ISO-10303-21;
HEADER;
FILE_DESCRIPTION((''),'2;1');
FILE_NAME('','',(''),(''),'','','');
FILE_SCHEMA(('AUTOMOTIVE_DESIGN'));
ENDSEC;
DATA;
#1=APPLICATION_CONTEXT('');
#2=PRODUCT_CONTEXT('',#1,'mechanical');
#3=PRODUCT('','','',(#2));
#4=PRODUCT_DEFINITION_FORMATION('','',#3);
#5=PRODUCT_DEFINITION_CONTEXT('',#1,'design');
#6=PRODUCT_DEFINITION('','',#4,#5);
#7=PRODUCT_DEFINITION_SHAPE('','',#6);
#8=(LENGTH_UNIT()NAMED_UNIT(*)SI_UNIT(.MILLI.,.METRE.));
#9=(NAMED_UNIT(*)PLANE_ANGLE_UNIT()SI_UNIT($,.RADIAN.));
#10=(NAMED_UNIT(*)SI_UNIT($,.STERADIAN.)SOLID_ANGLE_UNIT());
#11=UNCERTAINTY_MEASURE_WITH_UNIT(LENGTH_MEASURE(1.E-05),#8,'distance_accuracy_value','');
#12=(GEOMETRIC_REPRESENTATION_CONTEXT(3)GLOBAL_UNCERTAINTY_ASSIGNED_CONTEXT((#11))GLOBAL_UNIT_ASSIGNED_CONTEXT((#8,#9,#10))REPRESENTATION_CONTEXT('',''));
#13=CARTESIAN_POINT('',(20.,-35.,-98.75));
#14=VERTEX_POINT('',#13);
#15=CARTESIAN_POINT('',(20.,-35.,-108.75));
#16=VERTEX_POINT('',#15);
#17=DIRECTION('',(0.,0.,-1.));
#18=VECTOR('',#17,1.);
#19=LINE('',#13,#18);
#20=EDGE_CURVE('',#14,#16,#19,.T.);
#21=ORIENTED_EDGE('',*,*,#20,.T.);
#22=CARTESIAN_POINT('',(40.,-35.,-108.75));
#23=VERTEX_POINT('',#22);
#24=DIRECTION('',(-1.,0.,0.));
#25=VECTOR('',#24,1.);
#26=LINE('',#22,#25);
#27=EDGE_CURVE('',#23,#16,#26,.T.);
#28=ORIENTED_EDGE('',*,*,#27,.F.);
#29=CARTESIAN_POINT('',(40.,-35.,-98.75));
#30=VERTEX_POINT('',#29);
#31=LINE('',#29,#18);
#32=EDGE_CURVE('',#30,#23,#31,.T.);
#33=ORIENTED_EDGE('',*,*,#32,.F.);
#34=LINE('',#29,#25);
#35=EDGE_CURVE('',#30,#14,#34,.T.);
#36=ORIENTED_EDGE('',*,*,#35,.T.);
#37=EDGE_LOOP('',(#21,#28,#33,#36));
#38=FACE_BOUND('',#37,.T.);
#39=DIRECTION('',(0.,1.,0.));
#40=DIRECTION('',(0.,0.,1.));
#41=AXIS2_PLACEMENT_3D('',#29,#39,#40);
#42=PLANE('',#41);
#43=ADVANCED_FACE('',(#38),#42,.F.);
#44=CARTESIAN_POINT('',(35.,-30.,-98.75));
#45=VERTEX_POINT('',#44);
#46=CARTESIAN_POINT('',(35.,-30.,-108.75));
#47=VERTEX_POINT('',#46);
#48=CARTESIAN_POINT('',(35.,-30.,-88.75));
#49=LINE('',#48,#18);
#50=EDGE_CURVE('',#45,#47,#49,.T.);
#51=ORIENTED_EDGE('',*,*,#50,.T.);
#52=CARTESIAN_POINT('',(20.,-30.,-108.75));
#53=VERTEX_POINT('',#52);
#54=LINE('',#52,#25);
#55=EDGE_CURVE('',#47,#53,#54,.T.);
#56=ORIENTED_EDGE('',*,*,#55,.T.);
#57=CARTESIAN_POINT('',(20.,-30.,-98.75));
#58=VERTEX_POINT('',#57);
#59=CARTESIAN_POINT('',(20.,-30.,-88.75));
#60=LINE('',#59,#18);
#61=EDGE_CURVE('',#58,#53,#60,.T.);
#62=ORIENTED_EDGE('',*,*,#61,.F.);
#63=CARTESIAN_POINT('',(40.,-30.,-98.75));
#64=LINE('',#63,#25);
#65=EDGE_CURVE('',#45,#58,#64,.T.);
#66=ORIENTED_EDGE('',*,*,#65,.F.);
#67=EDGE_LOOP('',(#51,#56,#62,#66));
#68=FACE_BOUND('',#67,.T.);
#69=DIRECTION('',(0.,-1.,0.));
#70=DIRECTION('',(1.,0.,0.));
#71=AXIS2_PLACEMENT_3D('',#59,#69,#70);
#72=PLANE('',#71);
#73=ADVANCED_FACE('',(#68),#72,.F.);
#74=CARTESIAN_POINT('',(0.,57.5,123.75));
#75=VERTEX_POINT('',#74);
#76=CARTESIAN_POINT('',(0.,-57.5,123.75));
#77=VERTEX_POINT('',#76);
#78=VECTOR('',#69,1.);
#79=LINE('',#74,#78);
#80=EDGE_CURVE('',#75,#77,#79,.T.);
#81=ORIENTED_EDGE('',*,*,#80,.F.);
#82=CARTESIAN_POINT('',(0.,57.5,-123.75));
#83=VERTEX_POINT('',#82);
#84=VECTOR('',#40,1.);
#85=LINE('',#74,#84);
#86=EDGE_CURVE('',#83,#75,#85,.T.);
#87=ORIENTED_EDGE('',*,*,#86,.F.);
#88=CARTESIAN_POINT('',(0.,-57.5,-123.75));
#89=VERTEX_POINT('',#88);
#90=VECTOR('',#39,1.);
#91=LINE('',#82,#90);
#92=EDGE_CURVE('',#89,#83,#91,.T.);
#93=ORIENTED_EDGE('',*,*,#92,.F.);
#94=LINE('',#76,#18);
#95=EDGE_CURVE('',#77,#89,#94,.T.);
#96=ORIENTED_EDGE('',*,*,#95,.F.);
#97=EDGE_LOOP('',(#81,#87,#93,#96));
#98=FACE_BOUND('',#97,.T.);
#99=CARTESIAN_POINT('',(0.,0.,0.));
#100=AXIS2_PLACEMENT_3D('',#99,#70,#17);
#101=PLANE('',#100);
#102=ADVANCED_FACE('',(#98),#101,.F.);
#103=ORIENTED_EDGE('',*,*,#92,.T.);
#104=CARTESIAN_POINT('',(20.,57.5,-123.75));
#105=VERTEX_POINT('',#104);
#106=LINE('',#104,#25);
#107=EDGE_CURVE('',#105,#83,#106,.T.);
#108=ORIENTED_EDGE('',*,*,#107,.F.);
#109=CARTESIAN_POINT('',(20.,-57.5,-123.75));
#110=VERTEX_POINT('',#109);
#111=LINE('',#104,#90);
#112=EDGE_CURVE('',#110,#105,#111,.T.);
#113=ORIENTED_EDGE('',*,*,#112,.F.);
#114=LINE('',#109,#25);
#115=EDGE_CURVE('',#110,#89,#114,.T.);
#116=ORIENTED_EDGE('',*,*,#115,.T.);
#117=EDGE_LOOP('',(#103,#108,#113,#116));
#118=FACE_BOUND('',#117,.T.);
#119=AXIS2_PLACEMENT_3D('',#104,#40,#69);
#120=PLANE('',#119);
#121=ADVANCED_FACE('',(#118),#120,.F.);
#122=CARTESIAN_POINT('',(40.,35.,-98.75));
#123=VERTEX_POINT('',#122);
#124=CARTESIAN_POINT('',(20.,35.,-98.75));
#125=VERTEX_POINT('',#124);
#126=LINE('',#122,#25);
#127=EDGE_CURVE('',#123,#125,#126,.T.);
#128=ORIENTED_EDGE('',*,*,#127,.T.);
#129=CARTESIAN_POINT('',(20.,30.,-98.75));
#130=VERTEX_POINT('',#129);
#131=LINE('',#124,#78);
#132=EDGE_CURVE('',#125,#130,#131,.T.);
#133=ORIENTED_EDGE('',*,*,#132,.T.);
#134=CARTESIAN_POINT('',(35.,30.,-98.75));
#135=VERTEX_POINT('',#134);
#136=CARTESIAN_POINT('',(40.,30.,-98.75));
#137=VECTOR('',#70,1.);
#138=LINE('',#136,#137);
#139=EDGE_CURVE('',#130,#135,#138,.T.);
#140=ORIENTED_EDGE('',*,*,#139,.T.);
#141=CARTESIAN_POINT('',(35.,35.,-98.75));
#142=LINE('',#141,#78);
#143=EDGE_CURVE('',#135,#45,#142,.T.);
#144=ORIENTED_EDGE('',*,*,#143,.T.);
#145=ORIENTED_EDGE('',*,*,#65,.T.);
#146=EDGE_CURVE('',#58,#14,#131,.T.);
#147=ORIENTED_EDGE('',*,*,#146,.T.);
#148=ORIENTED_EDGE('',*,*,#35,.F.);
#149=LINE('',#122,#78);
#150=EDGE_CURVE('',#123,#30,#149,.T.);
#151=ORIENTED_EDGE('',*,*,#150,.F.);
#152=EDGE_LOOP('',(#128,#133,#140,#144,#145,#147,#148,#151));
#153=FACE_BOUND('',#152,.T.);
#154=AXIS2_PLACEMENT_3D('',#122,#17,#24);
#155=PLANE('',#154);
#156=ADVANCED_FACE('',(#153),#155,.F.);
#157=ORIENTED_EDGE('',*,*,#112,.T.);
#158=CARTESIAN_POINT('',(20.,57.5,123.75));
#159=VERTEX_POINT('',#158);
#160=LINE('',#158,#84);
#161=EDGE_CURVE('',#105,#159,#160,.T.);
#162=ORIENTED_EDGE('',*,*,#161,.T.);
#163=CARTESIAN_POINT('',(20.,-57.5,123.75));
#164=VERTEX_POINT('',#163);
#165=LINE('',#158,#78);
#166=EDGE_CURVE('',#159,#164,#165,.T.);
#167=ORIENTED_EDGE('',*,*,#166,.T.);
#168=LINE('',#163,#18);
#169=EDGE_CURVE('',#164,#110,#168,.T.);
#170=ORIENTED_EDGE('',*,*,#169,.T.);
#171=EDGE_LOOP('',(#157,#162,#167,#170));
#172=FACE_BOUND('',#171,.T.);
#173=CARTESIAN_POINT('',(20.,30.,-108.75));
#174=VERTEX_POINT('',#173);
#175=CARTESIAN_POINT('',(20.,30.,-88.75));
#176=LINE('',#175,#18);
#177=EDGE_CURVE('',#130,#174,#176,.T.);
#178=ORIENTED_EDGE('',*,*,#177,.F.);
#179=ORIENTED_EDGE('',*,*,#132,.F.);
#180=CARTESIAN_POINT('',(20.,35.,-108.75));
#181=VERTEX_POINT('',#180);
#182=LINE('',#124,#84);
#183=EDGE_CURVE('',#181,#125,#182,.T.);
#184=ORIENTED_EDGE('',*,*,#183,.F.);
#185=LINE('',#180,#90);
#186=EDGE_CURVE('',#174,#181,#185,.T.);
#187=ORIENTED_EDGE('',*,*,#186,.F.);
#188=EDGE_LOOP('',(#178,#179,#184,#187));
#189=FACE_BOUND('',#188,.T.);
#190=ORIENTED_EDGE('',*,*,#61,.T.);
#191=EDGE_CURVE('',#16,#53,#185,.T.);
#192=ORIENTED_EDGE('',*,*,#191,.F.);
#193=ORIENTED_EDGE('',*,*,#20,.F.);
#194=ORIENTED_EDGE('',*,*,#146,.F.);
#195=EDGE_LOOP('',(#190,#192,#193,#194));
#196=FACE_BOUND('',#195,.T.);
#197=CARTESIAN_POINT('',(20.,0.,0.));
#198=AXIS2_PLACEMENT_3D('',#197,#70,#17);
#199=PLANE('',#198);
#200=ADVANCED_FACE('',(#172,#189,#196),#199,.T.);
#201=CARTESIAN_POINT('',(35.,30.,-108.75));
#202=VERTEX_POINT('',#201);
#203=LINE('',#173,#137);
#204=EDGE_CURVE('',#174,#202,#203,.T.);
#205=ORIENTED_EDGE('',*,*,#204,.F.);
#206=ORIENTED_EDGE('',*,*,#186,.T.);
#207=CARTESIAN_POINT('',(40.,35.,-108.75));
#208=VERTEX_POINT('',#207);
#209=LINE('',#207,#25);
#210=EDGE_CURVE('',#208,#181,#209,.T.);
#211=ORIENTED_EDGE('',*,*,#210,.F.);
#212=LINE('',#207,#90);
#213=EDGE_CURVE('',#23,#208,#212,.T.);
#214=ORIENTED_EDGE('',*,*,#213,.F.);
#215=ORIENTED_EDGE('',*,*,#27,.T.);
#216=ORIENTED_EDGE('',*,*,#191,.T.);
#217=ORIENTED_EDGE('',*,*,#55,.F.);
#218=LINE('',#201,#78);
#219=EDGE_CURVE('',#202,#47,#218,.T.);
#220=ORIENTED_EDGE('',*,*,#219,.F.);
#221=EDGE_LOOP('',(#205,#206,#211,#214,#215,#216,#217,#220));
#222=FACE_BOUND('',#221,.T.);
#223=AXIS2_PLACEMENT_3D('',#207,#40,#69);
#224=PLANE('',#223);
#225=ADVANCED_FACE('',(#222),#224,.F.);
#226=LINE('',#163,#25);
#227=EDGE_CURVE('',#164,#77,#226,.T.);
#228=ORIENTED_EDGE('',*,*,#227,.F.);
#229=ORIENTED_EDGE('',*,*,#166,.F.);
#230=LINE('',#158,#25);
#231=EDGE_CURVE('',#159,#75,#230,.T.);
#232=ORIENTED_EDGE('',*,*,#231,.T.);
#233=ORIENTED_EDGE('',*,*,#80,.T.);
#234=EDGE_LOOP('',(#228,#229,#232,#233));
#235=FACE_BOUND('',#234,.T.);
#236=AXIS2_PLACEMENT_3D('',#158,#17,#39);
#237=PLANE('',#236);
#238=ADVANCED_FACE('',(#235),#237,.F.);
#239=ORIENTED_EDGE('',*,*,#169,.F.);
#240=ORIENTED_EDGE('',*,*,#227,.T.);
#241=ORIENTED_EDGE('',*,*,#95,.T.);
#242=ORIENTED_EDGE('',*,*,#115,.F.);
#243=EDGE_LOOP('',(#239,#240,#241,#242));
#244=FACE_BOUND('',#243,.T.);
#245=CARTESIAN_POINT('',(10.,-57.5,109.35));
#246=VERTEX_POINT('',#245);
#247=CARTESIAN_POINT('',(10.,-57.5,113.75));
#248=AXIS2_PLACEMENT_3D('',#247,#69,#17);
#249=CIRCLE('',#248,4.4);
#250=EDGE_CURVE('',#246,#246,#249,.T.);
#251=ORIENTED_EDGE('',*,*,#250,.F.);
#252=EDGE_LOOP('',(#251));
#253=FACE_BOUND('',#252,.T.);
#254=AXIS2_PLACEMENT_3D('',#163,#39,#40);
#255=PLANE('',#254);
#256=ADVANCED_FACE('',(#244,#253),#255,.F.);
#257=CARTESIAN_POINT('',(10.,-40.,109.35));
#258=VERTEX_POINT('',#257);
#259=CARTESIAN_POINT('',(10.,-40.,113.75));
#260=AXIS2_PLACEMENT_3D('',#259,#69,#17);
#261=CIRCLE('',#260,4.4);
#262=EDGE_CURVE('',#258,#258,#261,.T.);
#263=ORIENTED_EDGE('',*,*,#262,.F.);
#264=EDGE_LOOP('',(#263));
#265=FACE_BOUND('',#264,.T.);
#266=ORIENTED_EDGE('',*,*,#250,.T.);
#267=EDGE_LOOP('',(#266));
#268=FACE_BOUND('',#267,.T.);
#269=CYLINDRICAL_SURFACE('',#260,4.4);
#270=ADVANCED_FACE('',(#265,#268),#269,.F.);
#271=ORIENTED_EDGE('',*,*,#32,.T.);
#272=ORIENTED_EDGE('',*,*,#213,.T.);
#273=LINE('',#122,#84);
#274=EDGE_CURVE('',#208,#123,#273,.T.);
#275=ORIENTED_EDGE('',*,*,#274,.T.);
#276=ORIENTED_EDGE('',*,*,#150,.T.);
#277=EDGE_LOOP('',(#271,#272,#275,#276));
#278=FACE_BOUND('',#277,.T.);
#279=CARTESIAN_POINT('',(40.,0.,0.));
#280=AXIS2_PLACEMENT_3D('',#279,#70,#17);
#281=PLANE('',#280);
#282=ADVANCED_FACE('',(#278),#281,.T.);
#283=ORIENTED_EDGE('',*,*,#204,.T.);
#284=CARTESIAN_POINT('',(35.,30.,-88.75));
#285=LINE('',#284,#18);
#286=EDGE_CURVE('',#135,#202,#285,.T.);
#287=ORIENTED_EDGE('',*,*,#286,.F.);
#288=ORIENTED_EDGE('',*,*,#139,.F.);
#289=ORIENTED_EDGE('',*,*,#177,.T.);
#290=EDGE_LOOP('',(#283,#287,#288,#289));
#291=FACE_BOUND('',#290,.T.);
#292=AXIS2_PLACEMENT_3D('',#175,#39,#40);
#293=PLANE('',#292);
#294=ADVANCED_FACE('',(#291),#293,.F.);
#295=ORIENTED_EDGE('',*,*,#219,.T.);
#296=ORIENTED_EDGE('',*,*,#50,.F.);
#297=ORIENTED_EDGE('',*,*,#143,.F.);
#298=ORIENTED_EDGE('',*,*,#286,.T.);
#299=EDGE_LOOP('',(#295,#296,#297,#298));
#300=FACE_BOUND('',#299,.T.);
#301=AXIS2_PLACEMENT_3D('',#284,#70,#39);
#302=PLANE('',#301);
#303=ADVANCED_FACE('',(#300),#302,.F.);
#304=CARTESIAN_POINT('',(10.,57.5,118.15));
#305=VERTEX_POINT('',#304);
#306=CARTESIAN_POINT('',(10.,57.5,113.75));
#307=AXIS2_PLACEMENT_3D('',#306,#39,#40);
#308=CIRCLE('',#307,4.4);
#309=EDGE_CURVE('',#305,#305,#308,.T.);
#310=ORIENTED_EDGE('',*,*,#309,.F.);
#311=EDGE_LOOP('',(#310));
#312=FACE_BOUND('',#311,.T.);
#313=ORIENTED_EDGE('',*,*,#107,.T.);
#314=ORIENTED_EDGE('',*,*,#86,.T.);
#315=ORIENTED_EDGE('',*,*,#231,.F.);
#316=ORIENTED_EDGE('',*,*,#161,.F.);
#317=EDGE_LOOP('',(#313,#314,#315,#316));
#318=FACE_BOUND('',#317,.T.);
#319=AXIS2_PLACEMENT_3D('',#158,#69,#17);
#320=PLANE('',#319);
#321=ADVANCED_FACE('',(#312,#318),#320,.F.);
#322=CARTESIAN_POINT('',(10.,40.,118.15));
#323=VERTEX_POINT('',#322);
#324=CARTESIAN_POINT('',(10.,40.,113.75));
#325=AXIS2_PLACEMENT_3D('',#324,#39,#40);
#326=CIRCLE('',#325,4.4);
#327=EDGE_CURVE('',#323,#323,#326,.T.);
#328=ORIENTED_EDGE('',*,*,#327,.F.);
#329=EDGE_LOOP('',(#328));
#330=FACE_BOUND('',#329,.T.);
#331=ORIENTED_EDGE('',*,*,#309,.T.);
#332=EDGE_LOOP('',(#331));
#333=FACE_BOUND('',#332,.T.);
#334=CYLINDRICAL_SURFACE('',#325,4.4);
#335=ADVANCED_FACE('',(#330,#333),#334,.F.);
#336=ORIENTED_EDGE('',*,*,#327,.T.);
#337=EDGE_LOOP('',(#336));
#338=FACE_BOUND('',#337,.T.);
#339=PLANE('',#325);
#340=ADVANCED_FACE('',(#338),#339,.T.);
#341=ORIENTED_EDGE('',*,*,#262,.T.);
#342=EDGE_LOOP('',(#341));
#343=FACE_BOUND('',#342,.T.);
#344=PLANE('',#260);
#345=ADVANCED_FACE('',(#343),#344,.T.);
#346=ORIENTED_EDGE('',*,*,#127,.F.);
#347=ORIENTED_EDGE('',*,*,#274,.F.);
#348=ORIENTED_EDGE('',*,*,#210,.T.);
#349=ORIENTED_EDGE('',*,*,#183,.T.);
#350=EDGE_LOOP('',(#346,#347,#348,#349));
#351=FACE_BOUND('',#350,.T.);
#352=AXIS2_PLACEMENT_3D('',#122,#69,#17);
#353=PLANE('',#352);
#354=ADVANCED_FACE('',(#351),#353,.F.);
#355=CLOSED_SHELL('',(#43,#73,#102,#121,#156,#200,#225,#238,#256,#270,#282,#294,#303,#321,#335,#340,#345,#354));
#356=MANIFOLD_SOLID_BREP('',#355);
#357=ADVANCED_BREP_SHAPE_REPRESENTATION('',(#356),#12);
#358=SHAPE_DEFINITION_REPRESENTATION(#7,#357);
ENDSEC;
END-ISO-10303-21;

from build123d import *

# Parameters (mm, degrees)
SKETCH1_W           = 247.5
SKETCH1_H           = 115
BOSS_EXTRUDE1_DEPTH = 20
SKETCH2_R           = 4.4
CUT_EXTRUDE1_DEPTH  = 17.5
SKETCH3_R           = 4.4
CUT_EXTRUDE2_DEPTH  = 17.5
SKETCH6_W           = 10
SKETCH6_H           = 70
BOSS_EXTRUDE3_DEPTH = 20
SKETCH7_W           = 15
SKETCH7_H           = 60
CUT_EXTRUDE4_DEPTH  = 20


with BuildPart() as part:
    # Sketch1 → Boss-Extrude1 (new body)
    with BuildSketch(Plane(origin=(0, 0, 0), x_dir=(0, 0, -1), z_dir=(1, 0, 0))):
        Rectangle(SKETCH1_W, SKETCH1_H)
    extrude(amount=BOSS_EXTRUDE1_DEPTH)

    # Sketch2 → Cut-Extrude1 (cut)
    with BuildSketch(Plane(origin=(0, 57.5, 0), x_dir=(1, 0, 0), z_dir=(0, 1, 0))):
        with Locations((10, -113.75)):
            Circle(SKETCH2_R)
    extrude(amount=-CUT_EXTRUDE1_DEPTH, mode=Mode.SUBTRACT)

    # Sketch3 → Cut-Extrude2 (cut)
    with BuildSketch(Plane.XZ.offset(57.5)):
        with Locations((10, 113.75)):
            Circle(SKETCH3_R)
    extrude(amount=-CUT_EXTRUDE2_DEPTH, mode=Mode.SUBTRACT)

    # Sketch6 → Boss-Extrude3 (add)
    with BuildSketch(Plane(origin=(20, 0, 0), x_dir=(0, 0, -1), z_dir=(1, 0, 0))):
        with Locations((103.75, 0)):
            Rectangle(SKETCH6_W, SKETCH6_H)
    extrude(amount=BOSS_EXTRUDE3_DEPTH)

    # Sketch7 → Cut-Extrude4 (cut)
    with BuildSketch(Plane(origin=(0, 0, -108.75), x_dir=(-1, 0, 0), z_dir=(0, 0, -1))):
        with Locations((-27.5, 0)):
            Rectangle(SKETCH7_W, SKETCH7_H)
    extrude(amount=-CUT_EXTRUDE4_DEPTH, mode=Mode.SUBTRACT)


solid = part.part
